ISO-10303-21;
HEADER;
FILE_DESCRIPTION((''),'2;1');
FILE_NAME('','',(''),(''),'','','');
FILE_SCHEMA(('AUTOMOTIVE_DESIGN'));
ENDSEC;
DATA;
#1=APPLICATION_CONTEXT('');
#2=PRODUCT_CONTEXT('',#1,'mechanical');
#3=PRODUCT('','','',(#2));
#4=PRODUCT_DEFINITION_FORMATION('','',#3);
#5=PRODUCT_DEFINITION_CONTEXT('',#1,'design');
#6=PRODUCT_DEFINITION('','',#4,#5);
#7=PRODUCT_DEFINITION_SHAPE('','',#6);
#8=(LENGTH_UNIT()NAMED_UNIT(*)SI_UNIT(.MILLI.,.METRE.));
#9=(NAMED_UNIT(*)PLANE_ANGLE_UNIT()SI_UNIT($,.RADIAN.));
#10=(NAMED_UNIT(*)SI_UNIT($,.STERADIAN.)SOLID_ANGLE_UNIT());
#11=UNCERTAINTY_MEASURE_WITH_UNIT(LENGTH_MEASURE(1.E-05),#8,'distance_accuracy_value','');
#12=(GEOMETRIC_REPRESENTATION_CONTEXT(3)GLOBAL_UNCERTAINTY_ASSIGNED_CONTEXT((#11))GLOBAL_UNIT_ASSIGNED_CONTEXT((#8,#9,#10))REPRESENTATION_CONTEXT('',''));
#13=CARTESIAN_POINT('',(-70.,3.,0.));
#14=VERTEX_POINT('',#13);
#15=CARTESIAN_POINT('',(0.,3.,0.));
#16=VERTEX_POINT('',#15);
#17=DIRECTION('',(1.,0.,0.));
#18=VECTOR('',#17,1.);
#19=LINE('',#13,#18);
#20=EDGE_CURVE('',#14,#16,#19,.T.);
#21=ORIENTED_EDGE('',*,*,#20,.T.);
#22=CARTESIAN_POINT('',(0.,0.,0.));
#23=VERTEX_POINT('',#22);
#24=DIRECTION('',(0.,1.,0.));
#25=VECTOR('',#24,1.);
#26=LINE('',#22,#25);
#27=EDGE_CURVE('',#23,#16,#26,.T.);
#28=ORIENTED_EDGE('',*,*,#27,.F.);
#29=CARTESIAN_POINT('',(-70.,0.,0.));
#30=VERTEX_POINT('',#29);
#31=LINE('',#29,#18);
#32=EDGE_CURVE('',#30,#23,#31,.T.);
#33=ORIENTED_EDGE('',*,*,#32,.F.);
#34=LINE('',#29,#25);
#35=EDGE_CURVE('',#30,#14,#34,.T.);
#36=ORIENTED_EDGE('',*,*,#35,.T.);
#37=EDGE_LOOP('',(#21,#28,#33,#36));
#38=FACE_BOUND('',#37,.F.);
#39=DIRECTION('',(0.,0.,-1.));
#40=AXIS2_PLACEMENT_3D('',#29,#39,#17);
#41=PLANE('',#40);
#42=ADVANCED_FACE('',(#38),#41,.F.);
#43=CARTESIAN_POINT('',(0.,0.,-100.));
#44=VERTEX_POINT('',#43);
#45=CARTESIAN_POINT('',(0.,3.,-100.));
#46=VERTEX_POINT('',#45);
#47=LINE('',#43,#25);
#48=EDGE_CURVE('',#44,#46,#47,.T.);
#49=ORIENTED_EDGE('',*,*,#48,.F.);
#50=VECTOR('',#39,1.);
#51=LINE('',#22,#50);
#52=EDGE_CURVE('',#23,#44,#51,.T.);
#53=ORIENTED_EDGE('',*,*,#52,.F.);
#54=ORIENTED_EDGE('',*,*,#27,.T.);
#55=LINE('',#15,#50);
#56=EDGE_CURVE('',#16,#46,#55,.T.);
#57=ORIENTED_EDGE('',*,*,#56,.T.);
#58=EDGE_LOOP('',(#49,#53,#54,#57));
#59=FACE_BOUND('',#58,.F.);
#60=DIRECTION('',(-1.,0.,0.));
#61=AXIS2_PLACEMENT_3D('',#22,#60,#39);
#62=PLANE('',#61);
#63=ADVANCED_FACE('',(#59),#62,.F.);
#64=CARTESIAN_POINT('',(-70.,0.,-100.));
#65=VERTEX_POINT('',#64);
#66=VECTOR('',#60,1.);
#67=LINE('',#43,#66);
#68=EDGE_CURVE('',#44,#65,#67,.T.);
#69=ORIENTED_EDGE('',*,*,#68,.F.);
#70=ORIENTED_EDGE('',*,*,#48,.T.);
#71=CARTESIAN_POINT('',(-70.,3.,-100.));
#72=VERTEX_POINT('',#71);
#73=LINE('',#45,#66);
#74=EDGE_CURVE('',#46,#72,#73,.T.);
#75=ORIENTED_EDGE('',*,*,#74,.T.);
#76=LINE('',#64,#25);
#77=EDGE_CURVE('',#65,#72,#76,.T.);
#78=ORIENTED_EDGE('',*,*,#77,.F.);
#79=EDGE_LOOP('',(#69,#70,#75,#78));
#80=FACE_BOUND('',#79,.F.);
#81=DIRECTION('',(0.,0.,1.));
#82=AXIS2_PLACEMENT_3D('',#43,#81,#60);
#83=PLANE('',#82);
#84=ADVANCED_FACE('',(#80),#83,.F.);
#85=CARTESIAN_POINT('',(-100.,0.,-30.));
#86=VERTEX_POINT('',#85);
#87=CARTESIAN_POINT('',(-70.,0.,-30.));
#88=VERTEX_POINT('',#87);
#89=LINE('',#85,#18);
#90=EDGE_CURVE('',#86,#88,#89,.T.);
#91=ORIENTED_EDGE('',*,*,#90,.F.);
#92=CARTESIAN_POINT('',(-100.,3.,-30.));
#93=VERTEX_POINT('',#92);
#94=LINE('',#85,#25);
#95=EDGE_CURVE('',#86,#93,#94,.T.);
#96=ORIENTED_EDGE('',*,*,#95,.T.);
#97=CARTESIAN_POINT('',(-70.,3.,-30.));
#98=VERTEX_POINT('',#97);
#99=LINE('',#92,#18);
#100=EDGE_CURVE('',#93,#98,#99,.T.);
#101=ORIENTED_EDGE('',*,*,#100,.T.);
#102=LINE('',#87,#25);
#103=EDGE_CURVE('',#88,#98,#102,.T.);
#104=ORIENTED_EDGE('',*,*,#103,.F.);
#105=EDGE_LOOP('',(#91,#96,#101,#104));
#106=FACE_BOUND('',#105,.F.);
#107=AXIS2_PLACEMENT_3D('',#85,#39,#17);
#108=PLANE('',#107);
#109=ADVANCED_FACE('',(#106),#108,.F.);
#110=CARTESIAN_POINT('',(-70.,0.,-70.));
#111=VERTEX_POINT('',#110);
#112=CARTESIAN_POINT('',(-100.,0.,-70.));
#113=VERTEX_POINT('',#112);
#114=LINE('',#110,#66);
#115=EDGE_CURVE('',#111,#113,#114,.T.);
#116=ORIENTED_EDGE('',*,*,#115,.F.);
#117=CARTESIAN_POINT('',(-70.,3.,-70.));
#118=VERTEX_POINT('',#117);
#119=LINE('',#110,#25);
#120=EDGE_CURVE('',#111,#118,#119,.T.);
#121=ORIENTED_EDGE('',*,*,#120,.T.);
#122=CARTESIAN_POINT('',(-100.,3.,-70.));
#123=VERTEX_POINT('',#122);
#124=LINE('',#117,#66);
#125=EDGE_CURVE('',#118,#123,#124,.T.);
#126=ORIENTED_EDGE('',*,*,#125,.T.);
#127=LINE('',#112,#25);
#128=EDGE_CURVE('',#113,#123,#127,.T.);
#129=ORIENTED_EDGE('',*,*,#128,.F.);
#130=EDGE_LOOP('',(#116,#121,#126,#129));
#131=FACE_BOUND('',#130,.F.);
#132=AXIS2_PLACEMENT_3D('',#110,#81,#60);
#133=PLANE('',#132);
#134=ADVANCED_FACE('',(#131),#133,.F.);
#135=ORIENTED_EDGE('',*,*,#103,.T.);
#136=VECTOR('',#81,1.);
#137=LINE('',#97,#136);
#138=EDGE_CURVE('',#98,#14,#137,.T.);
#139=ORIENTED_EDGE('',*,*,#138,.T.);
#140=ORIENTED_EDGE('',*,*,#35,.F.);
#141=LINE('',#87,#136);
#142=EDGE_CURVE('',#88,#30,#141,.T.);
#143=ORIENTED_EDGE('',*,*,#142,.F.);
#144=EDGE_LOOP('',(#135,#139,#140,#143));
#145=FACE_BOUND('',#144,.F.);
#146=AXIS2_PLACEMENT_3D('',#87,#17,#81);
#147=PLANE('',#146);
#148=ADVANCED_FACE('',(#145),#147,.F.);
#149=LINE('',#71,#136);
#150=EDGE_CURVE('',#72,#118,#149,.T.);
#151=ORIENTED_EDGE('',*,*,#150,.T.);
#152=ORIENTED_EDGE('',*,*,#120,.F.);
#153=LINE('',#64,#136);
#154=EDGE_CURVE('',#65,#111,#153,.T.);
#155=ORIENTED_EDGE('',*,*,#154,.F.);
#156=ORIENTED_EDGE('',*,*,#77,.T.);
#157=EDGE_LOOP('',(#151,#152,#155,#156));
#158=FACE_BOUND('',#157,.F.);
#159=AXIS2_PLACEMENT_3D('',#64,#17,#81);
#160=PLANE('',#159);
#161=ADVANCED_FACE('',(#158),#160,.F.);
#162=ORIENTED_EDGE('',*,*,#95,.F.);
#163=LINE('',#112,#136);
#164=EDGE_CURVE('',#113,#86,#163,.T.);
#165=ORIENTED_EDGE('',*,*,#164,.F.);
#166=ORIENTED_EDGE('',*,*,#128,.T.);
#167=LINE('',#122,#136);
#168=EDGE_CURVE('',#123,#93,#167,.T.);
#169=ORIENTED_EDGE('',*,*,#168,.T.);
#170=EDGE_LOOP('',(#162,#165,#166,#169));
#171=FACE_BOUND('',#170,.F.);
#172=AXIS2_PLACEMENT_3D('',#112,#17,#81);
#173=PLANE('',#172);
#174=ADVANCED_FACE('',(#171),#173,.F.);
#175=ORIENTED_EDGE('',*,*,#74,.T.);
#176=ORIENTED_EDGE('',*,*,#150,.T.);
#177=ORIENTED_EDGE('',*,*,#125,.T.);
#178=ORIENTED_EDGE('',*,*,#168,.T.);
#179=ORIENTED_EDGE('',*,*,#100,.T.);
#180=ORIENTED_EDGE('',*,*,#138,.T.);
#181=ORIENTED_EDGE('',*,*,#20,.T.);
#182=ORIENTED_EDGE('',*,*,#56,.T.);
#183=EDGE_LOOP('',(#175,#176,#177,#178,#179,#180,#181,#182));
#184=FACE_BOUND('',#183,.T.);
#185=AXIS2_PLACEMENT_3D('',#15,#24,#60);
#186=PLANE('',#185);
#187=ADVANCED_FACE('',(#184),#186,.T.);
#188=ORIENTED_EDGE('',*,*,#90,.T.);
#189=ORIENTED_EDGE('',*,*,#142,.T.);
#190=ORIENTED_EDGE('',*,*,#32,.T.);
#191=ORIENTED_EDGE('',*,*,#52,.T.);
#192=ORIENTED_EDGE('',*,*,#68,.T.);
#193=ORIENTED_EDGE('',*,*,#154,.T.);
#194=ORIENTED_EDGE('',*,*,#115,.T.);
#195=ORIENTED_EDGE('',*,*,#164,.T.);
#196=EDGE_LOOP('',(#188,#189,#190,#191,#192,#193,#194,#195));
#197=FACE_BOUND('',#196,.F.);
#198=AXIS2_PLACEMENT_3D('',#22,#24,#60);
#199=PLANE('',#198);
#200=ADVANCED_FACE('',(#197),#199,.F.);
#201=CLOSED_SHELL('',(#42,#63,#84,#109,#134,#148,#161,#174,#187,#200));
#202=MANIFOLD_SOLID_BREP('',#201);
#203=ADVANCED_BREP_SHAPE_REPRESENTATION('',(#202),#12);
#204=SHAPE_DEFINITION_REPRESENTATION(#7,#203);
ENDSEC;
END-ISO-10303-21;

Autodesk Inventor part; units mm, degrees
ref_plane "YZ Plane" through (0, 0, 0) normal (1, 0, 0) x (0, 1, 0)
ref_plane "XZ Plane" through (0, 0, 0) normal (0, 1, 0) x (-1, 0, 0)
ref_plane "XY Plane" through (0, 0, 0) normal (0, 0, 1) x (1, 0, 0)
sketch "Sketch1" plane through (0, 0, 0) normal (0, 1, 0) x (-1, 0, 0)
  line L0 (0, 0) -> (0, -100)
  line L1 (0, -100) -> (70, -100)
  line L2 (70, -100) -> (70, -70)
  line L3 (70, -70) -> (100, -70)
  line L4 (100, -70) -> (100, -30)
  line L5 (100, -30) -> (70, -30)
  line L6 (70, -30) -> (70, 0)
  line L7 (70, 0) -> (0, 0)
  dimension "d0" = 100
  dimension "d1" = 70
  dimension "d3" = 30
  dimension "d4" = 30
  dimension "d5" = 70
  dimension "d6" = 30
extrude "Extrusion1" add sketch "Sketch1" along normal blind 3
properties part number "Ploschka"
